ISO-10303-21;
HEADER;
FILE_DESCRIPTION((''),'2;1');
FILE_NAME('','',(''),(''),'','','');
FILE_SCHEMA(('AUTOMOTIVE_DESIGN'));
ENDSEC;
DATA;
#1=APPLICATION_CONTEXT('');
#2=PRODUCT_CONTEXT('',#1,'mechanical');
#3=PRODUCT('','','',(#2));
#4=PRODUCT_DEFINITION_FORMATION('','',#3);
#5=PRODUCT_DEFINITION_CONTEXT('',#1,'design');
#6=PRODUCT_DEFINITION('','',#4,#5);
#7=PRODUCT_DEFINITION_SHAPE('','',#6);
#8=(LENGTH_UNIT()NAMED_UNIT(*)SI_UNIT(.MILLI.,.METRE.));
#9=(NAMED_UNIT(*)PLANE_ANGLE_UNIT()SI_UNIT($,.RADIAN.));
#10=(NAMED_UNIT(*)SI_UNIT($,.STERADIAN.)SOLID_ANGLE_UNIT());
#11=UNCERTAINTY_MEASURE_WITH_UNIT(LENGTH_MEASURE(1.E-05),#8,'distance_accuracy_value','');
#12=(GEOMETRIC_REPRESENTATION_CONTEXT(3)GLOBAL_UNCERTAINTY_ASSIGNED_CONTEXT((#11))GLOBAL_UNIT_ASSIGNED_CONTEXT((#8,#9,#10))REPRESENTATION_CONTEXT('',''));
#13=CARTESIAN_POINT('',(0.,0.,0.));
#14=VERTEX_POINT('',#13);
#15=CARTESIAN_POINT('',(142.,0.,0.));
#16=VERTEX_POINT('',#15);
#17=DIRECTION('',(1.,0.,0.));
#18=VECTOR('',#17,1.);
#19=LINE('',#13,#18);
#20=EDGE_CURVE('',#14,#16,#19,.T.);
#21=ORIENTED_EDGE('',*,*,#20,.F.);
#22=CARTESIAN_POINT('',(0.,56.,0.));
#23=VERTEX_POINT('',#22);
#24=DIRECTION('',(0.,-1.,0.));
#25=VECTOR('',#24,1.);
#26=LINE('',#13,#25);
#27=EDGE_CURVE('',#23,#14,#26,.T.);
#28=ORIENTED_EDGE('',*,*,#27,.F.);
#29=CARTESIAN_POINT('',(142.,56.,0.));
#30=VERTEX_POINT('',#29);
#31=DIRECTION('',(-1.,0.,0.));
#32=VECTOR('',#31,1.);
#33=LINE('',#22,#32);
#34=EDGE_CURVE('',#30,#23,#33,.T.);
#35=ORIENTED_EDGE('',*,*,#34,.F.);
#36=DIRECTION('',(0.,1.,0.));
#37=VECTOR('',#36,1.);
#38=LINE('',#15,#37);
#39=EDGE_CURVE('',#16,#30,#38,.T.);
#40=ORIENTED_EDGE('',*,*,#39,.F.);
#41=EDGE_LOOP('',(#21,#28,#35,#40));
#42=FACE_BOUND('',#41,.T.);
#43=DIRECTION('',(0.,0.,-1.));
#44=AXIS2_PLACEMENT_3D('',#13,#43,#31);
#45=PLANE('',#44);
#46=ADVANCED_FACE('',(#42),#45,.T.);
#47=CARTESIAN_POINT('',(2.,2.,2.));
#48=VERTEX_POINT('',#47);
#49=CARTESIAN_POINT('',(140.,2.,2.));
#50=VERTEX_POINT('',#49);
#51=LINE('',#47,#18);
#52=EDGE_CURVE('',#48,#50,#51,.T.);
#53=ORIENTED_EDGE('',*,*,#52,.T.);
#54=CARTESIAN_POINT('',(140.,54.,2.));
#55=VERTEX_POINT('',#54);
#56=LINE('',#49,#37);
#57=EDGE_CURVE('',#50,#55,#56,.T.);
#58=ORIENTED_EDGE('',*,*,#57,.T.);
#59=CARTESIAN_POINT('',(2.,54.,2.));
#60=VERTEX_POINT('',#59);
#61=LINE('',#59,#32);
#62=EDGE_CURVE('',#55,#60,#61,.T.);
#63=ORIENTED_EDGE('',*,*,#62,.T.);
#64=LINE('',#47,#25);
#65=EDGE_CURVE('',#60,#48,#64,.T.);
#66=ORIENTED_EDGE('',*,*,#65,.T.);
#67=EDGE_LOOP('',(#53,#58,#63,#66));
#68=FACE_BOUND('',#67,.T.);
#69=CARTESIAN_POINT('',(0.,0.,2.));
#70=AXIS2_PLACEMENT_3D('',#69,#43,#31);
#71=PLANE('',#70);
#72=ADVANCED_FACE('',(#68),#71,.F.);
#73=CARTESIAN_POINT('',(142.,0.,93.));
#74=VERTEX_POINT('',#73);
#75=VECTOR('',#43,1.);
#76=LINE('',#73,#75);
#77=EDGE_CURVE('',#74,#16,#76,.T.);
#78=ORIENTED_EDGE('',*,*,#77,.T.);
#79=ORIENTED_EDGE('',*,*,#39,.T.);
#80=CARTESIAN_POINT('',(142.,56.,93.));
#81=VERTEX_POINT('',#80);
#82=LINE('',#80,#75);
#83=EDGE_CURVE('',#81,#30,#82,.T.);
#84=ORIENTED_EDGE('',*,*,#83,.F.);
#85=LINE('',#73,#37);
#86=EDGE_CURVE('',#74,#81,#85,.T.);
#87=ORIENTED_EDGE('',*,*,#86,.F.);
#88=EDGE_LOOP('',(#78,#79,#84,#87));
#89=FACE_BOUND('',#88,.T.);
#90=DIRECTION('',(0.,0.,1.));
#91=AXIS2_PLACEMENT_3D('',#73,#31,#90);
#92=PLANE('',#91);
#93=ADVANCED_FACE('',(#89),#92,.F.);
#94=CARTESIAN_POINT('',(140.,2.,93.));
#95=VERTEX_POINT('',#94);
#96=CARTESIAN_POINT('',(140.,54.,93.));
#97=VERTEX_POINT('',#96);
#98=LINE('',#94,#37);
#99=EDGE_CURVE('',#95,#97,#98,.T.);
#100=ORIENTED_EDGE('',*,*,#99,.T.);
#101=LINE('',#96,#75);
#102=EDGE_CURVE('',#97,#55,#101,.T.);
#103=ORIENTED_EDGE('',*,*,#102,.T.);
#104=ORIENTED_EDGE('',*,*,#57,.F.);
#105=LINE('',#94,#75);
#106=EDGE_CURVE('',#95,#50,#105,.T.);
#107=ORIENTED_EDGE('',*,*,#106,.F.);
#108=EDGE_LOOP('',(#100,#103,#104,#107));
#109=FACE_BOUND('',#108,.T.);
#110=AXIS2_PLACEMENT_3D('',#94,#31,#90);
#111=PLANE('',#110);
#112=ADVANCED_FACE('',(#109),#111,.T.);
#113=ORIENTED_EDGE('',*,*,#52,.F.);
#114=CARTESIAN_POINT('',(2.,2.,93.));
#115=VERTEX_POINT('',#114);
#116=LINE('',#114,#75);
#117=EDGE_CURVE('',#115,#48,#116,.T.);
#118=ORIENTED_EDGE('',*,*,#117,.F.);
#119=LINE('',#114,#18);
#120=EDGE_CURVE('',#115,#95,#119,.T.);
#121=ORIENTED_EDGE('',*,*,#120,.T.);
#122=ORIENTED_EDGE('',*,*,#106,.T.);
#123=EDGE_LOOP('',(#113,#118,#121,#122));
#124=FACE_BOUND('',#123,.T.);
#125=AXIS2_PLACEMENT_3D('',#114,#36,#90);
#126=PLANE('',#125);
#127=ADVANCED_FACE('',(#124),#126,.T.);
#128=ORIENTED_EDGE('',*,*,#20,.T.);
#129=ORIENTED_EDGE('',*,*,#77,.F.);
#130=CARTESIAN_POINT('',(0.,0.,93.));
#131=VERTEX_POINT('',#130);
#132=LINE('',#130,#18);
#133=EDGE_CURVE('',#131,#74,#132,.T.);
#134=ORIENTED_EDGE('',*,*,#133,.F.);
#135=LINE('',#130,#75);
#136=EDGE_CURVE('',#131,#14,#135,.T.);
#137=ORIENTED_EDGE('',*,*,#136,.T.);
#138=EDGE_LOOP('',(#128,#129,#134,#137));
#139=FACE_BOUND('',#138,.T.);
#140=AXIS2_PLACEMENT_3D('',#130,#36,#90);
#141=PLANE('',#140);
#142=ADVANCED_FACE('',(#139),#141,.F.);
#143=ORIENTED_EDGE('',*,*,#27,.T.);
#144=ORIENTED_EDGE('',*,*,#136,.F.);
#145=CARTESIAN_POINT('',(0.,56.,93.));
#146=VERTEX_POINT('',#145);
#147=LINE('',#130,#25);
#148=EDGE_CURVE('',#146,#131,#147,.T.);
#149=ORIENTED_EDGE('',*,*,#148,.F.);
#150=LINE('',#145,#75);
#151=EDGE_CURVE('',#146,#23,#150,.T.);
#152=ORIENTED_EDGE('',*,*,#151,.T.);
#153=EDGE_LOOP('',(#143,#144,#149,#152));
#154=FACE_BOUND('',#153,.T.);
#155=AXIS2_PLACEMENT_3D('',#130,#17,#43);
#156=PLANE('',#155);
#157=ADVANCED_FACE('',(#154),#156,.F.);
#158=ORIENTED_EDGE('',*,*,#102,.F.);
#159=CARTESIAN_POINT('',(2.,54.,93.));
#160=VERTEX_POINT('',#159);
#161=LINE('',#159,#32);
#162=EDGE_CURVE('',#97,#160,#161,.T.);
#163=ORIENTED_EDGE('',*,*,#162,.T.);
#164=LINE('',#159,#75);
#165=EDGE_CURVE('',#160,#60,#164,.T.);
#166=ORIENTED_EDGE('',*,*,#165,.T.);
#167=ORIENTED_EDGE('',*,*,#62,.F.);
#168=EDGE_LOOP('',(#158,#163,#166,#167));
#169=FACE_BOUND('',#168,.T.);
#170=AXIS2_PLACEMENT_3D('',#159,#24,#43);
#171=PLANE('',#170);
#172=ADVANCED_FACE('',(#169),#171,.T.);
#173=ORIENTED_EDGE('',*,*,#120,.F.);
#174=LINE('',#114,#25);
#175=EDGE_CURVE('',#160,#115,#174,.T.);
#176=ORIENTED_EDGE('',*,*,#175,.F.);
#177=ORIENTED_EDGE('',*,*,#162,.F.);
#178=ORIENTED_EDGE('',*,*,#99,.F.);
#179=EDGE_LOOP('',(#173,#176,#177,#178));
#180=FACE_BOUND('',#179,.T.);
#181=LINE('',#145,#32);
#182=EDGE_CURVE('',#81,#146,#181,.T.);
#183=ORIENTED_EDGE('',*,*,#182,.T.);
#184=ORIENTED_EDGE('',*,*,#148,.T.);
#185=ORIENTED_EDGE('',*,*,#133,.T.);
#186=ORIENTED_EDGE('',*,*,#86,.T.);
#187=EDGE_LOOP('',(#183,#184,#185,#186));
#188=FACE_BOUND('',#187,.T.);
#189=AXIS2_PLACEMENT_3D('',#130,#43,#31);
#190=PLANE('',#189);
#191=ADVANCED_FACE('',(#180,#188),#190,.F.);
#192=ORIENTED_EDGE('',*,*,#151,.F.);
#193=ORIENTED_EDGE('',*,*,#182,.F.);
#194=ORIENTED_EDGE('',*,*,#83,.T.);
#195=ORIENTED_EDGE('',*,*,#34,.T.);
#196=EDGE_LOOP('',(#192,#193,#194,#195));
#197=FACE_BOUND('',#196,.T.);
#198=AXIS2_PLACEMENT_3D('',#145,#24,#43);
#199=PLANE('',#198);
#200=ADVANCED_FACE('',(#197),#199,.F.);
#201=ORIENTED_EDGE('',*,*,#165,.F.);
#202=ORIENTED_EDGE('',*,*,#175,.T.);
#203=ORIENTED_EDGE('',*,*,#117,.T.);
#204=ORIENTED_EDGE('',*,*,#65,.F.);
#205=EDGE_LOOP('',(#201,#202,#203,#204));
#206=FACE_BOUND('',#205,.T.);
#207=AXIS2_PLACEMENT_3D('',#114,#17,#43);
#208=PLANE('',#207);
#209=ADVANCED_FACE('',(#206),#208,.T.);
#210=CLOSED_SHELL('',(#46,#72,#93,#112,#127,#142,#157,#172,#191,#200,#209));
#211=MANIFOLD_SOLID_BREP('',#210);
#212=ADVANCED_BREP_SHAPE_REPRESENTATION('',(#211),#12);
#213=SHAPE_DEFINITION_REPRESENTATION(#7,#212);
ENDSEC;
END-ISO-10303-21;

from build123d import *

# Parameters (mm, degrees)
SKETCH1_W     = 142
SKETCH1_H     = 56
SKETCH1_W_2   = 138
SKETCH1_H_2   = 52
PROFILE_DEPTH = 93
SKETCH2_W     = 138
SKETCH2_H     = 52
BACK_DEPTH    = 2


with BuildPart() as part:
    # Sketch1 → Profile (new body)
    with BuildSketch(Plane.XY):
        with Locations((71, 28)):
            Rectangle(SKETCH1_W, SKETCH1_H)
        with Locations((71, 28)):
            Rectangle(SKETCH1_W_2, SKETCH1_H_2, mode=Mode.SUBTRACT)
    extrude(amount=PROFILE_DEPTH)

    # Sketch2 → Back (add)
    with BuildSketch(Plane.XY):
        with Locations((71, 28)):
            Rectangle(SKETCH2_W, SKETCH2_H)
    extrude(amount=BACK_DEPTH)


solid = part.part
